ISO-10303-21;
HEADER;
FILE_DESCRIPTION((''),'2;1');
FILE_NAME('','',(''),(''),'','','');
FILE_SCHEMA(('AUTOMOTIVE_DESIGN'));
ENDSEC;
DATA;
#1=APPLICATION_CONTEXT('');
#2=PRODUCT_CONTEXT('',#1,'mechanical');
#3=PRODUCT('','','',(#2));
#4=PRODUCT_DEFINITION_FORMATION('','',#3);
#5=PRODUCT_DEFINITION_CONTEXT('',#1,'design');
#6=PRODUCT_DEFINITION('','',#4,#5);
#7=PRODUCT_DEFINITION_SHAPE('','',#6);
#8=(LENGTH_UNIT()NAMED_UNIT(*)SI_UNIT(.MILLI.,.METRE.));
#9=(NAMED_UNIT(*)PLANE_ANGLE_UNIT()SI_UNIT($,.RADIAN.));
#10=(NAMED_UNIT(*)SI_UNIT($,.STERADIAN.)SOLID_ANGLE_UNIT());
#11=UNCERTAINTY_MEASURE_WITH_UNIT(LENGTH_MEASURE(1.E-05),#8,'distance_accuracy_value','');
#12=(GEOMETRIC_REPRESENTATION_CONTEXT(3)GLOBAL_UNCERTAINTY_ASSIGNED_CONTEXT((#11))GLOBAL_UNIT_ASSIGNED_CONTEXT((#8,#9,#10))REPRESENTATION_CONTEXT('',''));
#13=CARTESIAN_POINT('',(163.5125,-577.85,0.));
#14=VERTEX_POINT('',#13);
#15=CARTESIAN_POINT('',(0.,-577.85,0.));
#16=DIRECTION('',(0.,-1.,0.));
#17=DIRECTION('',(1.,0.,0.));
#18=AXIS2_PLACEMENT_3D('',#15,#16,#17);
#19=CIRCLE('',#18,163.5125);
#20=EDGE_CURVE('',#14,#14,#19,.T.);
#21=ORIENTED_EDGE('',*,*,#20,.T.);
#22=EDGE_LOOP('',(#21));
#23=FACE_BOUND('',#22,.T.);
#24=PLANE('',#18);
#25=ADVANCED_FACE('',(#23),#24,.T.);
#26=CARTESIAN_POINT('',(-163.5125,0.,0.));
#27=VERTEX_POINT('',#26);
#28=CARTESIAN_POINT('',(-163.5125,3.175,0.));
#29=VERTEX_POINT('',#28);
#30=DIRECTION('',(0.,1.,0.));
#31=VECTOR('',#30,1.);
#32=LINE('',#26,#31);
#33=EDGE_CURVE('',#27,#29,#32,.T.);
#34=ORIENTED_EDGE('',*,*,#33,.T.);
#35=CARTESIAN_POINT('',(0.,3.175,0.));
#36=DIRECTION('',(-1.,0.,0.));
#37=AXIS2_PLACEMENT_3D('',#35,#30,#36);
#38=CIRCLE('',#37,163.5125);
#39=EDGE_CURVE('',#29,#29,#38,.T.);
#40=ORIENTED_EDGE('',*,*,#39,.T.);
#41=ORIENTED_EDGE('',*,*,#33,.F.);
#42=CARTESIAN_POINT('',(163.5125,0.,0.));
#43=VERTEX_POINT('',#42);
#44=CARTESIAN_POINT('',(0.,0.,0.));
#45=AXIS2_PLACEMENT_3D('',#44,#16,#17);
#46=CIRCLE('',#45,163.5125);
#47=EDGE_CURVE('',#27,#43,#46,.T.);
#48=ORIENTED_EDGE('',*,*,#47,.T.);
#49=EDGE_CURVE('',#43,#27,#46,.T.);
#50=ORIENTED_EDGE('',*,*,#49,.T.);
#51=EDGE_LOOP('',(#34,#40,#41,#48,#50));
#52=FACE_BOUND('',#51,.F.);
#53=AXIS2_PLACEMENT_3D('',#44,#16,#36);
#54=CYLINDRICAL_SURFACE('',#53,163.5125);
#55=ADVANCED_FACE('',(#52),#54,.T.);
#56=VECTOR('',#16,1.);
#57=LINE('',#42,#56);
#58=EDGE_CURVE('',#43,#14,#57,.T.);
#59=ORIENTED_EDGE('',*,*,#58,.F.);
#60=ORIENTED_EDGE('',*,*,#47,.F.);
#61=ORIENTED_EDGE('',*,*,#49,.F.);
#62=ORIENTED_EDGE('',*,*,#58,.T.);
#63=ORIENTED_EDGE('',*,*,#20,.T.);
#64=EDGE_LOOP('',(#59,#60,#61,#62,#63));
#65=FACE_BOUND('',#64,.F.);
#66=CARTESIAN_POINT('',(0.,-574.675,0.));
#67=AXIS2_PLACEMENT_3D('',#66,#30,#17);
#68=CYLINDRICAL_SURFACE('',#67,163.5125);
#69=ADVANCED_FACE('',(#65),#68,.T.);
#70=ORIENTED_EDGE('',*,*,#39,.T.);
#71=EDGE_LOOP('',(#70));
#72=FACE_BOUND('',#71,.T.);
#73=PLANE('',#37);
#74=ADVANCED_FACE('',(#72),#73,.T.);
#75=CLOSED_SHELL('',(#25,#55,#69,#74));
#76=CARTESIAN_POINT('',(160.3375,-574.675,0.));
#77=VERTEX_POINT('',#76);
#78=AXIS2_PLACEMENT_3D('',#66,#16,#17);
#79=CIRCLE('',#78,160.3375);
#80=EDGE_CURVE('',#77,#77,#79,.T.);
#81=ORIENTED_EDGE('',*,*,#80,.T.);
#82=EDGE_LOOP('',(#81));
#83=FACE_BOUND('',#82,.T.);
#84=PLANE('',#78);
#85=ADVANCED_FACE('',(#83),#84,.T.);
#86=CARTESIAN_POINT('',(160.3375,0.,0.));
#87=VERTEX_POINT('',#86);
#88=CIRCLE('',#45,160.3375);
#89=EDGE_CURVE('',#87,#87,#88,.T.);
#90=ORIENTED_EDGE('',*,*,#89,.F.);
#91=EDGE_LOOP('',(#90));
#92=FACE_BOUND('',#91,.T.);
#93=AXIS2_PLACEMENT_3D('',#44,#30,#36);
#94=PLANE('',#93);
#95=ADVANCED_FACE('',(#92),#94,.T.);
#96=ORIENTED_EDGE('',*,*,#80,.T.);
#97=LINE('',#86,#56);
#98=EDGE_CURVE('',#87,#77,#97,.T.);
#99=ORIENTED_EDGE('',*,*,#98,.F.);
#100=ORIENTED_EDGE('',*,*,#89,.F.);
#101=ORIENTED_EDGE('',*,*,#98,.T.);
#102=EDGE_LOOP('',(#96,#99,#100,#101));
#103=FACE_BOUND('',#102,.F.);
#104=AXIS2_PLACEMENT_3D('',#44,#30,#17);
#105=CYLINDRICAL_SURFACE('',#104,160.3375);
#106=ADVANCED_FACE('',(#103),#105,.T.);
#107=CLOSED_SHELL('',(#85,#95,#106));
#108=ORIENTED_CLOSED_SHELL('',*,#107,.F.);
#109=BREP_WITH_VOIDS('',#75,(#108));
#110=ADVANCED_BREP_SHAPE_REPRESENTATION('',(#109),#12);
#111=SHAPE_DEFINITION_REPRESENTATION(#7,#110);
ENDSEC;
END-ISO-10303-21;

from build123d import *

# Parameters (mm, degrees)
F0_R     = 163.5125
F0_R_2   = 160.3375
F1_DEPTH = 574.675
F2_R     = 163.5125
F3_DEPTH = 3.175
F4_R     = 163.5125
F5_DEPTH = 3.175


with BuildPart() as f1:
    # F0 (on Front) → F1 (new body)
    with BuildSketch(Plane.XZ):
        Circle(F0_R)
        Circle(F0_R_2, mode=Mode.SUBTRACT)
    extrude(amount=F1_DEPTH)

    # F2 (on face) → F3 (join)
    with BuildSketch(Plane.XZ.offset(574.675)):
        Circle(F2_R)
    extrude(amount=F3_DEPTH)

    # F4 (on face) → F5 (join)
    with BuildSketch(Plane(origin=(0, 0, 0), x_dir=(-1, 0, 0), z_dir=(0, 1, 0))):
        Circle(F4_R)
    extrude(amount=F5_DEPTH)


solid = f1.part
